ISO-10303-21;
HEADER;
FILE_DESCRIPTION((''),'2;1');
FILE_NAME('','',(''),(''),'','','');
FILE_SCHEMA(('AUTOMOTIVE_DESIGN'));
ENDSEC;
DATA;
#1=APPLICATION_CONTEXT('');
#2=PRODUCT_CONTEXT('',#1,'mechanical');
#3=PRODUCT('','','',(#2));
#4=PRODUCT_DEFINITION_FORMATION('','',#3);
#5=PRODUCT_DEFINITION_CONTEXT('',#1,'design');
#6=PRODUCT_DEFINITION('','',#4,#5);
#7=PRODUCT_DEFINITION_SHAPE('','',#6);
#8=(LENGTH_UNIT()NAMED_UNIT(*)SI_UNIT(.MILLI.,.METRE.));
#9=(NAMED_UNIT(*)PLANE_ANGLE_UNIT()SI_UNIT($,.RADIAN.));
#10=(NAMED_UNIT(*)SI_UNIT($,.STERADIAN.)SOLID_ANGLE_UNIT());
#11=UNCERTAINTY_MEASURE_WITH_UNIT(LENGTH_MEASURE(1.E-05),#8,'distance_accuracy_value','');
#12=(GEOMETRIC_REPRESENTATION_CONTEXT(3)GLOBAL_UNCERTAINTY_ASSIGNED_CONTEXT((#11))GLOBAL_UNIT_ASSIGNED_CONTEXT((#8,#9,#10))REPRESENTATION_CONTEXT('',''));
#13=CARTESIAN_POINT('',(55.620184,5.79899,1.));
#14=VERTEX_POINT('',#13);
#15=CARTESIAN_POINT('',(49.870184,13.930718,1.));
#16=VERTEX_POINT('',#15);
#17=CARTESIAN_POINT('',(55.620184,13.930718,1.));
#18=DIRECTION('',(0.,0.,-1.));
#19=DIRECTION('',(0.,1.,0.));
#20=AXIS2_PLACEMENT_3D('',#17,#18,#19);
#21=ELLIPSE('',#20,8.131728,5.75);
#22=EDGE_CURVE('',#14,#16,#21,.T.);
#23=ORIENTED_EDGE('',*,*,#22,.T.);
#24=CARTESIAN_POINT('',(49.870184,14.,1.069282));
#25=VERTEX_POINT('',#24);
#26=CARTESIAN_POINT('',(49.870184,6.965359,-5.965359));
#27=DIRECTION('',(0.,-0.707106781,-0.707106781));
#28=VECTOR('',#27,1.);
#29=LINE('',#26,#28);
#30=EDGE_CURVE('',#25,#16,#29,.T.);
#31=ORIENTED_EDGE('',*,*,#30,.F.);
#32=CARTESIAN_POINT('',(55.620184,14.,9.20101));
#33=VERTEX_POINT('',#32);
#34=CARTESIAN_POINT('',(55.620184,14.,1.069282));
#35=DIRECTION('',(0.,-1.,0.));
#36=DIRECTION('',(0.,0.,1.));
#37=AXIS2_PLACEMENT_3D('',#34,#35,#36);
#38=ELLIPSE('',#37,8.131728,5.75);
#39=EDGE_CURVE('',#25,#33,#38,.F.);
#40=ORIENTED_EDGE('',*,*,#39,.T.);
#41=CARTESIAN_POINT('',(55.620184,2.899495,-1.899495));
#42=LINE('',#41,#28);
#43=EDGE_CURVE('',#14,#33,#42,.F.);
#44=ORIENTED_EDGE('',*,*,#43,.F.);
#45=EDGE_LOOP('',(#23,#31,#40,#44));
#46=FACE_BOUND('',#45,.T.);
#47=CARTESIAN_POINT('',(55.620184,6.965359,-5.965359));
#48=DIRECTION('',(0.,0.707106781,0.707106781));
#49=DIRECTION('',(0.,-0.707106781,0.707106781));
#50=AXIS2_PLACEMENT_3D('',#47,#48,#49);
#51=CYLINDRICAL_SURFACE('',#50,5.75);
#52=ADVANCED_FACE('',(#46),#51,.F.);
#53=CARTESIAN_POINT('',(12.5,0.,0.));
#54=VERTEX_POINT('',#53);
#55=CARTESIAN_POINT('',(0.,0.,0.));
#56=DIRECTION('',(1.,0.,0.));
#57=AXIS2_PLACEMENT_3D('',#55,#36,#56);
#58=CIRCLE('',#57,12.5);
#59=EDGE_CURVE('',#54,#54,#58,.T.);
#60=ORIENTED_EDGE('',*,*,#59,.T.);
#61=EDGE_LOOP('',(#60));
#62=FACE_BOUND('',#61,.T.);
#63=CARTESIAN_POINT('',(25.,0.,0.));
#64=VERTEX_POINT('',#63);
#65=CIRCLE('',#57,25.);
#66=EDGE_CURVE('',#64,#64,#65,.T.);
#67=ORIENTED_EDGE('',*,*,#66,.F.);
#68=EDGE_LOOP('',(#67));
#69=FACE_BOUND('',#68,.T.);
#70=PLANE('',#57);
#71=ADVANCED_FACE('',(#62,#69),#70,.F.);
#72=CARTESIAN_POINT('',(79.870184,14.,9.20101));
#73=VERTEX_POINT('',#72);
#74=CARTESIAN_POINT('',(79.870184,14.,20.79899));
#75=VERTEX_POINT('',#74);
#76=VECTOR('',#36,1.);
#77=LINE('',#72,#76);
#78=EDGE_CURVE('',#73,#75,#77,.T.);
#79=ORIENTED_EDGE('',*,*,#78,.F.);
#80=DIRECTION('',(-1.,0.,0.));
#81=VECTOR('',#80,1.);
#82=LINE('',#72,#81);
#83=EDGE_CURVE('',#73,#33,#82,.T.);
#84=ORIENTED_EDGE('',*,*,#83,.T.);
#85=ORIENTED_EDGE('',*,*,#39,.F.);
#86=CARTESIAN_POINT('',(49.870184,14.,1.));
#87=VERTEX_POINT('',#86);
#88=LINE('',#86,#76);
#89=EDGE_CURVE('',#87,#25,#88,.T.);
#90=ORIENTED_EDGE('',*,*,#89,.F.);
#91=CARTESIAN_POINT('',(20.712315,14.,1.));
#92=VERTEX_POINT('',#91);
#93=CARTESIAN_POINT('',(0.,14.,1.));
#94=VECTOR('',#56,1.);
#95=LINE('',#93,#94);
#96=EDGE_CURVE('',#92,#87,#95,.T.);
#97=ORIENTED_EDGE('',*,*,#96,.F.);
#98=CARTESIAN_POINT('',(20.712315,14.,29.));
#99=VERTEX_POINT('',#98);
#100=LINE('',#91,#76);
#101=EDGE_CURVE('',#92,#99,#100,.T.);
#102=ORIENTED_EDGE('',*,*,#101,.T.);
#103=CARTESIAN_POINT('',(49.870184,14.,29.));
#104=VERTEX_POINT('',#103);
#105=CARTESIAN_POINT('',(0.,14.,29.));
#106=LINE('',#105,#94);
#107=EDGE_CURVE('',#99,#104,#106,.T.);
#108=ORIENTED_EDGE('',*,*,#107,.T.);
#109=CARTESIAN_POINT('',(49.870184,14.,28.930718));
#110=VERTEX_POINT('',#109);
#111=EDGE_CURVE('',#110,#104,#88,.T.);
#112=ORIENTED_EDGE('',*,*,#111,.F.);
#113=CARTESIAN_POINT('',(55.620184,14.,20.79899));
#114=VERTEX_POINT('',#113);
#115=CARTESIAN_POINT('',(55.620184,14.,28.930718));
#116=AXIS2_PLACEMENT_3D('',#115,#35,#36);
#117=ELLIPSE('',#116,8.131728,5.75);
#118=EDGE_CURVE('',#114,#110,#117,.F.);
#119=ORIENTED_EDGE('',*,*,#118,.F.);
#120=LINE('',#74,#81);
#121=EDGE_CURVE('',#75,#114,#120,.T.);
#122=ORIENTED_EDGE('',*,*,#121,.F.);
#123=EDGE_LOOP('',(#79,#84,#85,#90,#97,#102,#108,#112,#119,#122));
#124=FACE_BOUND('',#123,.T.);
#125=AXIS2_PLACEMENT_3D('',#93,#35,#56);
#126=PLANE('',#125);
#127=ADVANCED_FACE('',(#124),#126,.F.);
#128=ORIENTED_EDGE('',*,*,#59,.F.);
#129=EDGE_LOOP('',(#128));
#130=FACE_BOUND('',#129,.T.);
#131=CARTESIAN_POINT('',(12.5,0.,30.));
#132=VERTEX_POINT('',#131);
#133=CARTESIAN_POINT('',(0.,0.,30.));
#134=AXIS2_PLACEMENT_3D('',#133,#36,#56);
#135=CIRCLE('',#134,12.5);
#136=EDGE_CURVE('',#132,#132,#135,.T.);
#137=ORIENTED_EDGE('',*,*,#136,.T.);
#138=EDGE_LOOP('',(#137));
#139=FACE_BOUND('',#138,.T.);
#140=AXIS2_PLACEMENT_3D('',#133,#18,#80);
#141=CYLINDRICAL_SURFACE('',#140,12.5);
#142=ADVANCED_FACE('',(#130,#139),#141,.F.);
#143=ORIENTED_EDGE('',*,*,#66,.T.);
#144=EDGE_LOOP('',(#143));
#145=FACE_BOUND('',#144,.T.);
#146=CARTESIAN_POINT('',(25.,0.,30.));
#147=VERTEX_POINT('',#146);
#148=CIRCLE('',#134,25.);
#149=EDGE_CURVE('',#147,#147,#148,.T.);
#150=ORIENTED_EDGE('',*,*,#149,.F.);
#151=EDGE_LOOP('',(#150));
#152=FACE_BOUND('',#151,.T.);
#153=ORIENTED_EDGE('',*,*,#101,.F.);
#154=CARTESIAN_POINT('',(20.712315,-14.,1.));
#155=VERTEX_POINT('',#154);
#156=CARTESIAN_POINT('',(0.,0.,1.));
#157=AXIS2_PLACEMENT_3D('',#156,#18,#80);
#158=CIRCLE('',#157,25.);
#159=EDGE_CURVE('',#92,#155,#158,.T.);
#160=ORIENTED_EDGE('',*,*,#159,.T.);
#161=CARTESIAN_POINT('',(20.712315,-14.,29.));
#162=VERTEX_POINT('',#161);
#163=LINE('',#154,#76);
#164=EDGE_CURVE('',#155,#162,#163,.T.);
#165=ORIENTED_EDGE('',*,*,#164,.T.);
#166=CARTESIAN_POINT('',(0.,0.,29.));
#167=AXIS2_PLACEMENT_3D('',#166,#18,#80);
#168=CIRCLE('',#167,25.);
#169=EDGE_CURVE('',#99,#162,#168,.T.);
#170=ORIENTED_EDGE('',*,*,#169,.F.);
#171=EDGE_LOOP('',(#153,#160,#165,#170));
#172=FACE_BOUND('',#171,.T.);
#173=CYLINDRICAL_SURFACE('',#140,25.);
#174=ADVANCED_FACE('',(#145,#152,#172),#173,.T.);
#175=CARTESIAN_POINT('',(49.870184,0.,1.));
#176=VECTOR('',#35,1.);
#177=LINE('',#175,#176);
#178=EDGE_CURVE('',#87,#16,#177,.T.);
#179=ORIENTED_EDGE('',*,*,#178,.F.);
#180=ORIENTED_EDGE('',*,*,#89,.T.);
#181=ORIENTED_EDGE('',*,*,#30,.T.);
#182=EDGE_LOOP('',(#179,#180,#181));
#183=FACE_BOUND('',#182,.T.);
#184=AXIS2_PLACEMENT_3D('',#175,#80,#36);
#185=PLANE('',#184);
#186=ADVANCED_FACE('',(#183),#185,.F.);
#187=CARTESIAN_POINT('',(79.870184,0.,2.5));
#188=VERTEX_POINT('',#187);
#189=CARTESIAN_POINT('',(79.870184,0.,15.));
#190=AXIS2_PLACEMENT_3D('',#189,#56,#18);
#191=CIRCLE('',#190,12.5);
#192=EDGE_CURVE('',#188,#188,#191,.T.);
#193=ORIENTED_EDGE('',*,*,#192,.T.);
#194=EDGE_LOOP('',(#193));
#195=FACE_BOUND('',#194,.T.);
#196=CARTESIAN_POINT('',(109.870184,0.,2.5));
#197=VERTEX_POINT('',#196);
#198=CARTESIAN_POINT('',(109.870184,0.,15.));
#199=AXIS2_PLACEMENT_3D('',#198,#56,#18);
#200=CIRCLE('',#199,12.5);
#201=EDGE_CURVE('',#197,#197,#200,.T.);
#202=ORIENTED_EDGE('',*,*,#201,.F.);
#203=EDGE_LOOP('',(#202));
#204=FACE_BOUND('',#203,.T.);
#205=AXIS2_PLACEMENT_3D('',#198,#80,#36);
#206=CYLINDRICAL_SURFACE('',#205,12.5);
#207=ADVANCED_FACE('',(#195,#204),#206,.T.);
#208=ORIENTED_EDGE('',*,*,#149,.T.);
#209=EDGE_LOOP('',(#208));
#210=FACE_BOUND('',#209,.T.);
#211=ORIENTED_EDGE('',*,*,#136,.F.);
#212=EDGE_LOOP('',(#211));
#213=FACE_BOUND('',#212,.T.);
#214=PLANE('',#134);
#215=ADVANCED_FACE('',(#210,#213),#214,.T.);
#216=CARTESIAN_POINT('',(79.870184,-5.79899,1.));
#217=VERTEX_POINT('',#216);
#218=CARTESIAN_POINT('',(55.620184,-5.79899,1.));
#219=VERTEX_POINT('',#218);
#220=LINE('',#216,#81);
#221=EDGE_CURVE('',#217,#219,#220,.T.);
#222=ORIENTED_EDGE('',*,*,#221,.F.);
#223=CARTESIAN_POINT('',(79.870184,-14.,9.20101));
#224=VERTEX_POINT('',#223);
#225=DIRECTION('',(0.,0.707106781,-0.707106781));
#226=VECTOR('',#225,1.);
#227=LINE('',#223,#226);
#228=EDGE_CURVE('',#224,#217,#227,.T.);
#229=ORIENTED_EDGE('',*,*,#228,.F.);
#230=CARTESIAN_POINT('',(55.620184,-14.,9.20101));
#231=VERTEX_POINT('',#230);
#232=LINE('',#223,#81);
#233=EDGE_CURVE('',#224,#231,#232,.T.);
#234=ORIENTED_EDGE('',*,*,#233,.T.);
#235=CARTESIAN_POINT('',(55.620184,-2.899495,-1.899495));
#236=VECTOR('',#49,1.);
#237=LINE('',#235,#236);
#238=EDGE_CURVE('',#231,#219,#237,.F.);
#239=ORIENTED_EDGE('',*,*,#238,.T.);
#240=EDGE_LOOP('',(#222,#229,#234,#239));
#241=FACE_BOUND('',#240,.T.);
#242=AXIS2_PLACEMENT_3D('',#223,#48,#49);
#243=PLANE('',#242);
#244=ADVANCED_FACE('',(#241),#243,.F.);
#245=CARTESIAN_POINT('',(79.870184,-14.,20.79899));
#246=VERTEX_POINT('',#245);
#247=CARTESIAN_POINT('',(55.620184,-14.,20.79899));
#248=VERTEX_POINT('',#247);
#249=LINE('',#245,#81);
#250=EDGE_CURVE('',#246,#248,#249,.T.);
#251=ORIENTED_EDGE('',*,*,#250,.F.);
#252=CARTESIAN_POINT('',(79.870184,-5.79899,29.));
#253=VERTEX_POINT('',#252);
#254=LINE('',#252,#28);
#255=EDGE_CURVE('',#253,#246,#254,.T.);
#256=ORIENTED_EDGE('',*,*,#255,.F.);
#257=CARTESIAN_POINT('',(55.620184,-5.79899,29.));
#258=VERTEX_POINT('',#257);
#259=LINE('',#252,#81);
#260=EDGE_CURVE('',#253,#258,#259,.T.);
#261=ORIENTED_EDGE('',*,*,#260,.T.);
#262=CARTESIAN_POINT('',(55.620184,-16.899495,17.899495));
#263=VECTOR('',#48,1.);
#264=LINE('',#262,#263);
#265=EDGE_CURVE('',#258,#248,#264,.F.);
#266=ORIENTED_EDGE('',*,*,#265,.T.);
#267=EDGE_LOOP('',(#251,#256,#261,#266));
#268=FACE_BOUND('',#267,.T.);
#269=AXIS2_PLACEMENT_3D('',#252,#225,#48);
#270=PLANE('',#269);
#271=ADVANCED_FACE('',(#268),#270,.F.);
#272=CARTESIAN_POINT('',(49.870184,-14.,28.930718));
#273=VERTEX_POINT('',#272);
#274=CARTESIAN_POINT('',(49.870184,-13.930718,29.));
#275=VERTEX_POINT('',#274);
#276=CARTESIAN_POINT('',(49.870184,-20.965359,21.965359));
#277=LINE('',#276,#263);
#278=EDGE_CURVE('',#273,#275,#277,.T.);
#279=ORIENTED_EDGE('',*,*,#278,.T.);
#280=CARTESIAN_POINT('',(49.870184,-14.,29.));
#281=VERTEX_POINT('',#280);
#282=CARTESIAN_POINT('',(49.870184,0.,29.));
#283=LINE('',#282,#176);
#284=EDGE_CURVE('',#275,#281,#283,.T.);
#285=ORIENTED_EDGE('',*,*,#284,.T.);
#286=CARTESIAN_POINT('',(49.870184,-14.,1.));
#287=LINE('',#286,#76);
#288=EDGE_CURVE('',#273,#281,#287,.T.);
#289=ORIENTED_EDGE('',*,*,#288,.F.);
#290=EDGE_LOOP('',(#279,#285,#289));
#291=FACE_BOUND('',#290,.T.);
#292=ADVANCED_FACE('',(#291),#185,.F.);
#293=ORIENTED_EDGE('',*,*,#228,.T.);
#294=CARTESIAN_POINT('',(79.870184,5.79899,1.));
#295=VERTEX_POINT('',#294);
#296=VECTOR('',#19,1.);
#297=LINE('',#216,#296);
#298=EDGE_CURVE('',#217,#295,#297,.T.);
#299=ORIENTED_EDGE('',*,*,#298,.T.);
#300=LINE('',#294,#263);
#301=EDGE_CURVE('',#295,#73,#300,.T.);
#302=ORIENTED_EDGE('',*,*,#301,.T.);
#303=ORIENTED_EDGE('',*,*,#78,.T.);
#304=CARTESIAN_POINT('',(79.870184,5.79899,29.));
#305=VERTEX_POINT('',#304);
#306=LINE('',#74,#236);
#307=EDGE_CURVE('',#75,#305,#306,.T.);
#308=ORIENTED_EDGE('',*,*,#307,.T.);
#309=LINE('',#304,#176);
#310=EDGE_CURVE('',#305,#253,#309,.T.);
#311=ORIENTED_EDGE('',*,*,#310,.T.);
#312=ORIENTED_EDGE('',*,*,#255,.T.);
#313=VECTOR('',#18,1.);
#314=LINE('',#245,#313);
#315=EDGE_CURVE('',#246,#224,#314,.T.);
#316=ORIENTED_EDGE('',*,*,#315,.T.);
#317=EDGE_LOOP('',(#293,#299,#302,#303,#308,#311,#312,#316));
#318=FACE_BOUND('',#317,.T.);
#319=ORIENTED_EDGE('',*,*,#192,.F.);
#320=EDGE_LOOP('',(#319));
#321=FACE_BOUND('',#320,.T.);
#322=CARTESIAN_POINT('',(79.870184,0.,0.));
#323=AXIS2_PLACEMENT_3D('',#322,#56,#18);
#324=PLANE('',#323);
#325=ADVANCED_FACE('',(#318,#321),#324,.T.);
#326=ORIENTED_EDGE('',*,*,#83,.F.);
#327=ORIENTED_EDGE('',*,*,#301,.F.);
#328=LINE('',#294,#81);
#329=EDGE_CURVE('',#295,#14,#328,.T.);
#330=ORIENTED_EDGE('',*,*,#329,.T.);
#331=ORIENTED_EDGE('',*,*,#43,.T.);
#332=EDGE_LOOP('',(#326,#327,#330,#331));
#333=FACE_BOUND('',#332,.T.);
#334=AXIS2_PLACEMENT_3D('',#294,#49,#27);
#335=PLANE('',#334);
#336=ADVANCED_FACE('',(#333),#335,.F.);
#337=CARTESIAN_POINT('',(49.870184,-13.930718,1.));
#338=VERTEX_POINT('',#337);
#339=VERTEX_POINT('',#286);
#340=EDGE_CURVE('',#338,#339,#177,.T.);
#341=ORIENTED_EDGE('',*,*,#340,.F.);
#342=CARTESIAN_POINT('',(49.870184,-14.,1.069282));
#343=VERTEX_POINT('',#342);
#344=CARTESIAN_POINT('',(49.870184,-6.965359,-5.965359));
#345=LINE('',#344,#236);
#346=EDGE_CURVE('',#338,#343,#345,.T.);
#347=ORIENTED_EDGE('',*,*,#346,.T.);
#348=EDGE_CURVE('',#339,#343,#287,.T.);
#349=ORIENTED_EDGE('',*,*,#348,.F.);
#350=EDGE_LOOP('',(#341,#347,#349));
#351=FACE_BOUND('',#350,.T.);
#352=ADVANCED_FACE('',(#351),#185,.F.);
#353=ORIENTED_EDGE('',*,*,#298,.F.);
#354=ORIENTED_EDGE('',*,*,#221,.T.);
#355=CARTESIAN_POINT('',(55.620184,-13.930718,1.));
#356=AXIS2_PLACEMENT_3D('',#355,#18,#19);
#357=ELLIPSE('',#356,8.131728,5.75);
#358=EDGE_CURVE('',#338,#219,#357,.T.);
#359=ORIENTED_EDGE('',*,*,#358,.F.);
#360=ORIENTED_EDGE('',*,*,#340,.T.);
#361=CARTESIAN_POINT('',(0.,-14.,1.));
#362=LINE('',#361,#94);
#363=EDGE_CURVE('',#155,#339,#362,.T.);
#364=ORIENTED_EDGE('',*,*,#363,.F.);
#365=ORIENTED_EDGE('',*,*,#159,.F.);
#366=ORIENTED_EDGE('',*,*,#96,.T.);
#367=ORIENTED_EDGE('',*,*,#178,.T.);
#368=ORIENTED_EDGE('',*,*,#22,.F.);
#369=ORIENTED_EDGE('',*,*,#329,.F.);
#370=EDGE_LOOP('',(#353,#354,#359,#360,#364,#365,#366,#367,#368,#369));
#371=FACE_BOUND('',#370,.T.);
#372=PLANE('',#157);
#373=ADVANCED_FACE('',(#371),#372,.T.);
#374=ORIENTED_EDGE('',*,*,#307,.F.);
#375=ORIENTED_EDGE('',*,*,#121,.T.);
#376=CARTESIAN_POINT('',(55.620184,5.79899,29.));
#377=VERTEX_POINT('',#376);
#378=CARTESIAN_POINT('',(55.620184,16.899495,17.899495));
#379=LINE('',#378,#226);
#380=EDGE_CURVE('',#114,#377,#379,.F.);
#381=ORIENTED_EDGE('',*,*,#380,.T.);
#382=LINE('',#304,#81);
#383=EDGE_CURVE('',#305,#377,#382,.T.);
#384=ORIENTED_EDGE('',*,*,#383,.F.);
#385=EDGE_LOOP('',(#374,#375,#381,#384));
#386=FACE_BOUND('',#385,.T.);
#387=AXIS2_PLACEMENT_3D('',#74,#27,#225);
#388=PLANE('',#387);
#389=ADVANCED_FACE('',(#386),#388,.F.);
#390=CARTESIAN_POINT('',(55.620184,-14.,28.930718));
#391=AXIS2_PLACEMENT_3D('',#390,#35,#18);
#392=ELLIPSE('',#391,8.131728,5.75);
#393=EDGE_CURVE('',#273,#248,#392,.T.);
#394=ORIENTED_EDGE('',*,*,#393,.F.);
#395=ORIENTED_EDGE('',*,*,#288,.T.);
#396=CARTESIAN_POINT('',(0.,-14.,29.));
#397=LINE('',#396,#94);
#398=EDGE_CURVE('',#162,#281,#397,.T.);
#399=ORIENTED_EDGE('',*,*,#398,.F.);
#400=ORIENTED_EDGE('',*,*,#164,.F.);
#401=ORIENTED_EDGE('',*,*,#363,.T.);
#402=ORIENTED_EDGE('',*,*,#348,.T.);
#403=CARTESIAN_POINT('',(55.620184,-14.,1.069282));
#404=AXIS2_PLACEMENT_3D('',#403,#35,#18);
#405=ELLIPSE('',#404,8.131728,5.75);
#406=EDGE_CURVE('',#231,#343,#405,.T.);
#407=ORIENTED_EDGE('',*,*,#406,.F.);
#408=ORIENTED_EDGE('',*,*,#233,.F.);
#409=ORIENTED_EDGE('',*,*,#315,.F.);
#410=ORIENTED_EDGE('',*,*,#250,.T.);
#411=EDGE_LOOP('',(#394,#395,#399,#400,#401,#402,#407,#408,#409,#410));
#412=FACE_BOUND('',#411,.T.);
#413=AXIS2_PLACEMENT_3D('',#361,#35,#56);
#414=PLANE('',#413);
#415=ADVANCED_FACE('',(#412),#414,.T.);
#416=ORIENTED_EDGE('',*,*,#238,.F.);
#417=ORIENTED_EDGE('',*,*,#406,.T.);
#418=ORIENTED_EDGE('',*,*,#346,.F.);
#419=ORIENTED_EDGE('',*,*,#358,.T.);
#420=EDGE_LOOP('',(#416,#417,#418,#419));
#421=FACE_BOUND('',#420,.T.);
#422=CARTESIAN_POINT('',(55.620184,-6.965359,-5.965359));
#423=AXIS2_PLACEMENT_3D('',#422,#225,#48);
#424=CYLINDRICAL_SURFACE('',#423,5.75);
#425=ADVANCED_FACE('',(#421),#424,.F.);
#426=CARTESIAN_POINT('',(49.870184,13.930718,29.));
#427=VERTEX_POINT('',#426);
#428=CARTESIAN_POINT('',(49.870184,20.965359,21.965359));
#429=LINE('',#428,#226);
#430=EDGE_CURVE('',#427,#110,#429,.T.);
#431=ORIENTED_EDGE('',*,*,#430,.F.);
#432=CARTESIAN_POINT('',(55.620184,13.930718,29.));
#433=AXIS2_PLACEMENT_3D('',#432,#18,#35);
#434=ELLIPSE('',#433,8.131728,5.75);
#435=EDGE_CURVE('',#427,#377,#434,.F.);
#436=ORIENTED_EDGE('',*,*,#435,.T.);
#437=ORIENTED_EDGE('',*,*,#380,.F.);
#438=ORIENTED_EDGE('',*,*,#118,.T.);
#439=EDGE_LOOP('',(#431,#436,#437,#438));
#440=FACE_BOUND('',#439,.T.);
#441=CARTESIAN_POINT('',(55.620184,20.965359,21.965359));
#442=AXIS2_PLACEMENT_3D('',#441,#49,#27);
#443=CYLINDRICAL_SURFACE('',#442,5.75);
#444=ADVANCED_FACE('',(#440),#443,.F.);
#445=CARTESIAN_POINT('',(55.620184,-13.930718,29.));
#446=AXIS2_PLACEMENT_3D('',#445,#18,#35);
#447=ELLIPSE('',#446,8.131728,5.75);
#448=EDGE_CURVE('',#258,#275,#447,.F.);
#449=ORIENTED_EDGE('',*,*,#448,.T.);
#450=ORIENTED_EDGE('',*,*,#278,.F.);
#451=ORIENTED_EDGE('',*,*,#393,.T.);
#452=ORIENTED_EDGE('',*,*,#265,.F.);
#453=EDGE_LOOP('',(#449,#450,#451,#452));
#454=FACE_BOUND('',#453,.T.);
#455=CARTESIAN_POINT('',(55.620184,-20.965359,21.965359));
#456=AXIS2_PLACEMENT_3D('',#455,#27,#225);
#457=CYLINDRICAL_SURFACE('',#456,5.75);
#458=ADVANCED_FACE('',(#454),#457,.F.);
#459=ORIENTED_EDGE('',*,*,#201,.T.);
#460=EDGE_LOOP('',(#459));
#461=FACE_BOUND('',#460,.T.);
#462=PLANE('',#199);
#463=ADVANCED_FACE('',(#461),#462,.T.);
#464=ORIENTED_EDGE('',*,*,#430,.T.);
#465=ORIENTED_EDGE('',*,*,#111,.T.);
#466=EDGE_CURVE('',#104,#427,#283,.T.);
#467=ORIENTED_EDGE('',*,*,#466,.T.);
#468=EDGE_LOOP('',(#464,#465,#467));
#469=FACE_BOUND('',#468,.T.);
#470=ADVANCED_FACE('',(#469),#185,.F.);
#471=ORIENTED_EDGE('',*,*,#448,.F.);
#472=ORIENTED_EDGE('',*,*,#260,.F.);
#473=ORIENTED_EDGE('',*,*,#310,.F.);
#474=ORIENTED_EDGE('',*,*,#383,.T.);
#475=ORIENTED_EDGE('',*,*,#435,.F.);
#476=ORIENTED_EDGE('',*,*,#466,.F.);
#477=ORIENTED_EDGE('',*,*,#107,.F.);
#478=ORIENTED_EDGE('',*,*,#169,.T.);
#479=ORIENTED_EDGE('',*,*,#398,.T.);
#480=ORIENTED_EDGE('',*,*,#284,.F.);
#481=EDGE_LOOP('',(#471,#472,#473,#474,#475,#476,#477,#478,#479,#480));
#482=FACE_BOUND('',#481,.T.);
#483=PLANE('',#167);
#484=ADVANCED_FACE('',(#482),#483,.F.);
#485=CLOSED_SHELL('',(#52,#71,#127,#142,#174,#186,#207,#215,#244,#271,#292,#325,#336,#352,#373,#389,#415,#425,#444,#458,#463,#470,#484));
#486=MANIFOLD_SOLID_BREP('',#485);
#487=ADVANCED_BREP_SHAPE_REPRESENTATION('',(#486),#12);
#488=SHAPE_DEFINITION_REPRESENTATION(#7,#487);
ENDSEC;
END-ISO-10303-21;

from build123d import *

# Parameters (mm, degrees)
SKETCH1_R           = 25
SKETCH1_R_2         = 12.5
BOSS_EXTRUDE1_DEPTH = 30
BOSS_EXTRUDE2_DEPTH = 14
BOSS_EXTRUDE5_DEPTH = 30
FILLET6_R           = 5.75
FILLET7_R           = 5.75
FILLET8_R           = 5.75
FILLET9_R           = 5.75
SKETCH7_R           = 12.5
BOSS_EXTRUDE6_DEPTH = 30


with BuildPart() as part:
    # Sketch1 → Boss-Extrude1 (new body)
    with BuildSketch(Plane.XY):
        Circle(SKETCH1_R)
        Circle(SKETCH1_R_2, mode=Mode.SUBTRACT)
    extrude(amount=BOSS_EXTRUDE1_DEPTH)

    # Sketch2 → Boss-Extrude2 (add, symmetric)
    with BuildSketch(Plane(origin=(0, 0, 15), x_dir=(-1, 0, 0), z_dir=(0, 0, -1))):
        with BuildLine():
            ThreePointArc((-20.712315177, 14), (-25, 0), (-20.712315177, -14))
            Line((-20.712315177, -14), (-49.87018371, -14))
            Line((-49.87018371, -14), (-49.87018371, 14))
            Line((-49.87018371, 14), (-20.712315177, 14))
        make_face()
    extrude(amount=BOSS_EXTRUDE2_DEPTH, both=True)

    # Sketch6 → Boss-Extrude5 (add)
    with BuildSketch(Plane(origin=(49.87018371, 0, 0), x_dir=(0, 0, -1), z_dir=(1, 0, 0))):
        Polygon((-9.201010127, 14), (-20.798989873, 14), (-29, 5.798989873), (-29, -5.798989873), (-20.798989873, -14), (-9.201010127, -14), (-1, -5.798989873), (-1, 5.798989873), align=None)
    extrude(amount=BOSS_EXTRUDE5_DEPTH)

    # Fillet6
    fillet6_edges = [part.edges().sort_by_distance(p)[0] for p in [
        (49.87018371, 9.899494937, 24.899494937),
    ]]
    fillet(fillet6_edges, radius=FILLET6_R)

    # Fillet7
    fillet7_edges = [part.edges().sort_by_distance(p)[0] for p in [
        (49.87018371, 9.899494937, 5.100505063),
    ]]
    fillet(fillet7_edges, radius=FILLET7_R)

    # Fillet8
    fillet8_edges = [part.edges().sort_by_distance(p)[0] for p in [
        (49.87018371, -9.899494937, 24.899494937),
    ]]
    fillet(fillet8_edges, radius=FILLET8_R)

    # Fillet9
    fillet9_edges = [part.edges().sort_by_distance(p)[0] for p in [
        (49.87018371, -9.899494937, 5.100505063),
    ]]
    fillet(fillet9_edges, radius=FILLET9_R)

    # Sketch7 → Boss-Extrude6 (add)
    with BuildSketch(Plane(origin=(79.87018371, 0, 0), x_dir=(0, 0, -1), z_dir=(1, 0, 0))):
        with Locations((-15, 0)):
            Circle(SKETCH7_R)
    extrude(amount=BOSS_EXTRUDE6_DEPTH)


solid = part.part
